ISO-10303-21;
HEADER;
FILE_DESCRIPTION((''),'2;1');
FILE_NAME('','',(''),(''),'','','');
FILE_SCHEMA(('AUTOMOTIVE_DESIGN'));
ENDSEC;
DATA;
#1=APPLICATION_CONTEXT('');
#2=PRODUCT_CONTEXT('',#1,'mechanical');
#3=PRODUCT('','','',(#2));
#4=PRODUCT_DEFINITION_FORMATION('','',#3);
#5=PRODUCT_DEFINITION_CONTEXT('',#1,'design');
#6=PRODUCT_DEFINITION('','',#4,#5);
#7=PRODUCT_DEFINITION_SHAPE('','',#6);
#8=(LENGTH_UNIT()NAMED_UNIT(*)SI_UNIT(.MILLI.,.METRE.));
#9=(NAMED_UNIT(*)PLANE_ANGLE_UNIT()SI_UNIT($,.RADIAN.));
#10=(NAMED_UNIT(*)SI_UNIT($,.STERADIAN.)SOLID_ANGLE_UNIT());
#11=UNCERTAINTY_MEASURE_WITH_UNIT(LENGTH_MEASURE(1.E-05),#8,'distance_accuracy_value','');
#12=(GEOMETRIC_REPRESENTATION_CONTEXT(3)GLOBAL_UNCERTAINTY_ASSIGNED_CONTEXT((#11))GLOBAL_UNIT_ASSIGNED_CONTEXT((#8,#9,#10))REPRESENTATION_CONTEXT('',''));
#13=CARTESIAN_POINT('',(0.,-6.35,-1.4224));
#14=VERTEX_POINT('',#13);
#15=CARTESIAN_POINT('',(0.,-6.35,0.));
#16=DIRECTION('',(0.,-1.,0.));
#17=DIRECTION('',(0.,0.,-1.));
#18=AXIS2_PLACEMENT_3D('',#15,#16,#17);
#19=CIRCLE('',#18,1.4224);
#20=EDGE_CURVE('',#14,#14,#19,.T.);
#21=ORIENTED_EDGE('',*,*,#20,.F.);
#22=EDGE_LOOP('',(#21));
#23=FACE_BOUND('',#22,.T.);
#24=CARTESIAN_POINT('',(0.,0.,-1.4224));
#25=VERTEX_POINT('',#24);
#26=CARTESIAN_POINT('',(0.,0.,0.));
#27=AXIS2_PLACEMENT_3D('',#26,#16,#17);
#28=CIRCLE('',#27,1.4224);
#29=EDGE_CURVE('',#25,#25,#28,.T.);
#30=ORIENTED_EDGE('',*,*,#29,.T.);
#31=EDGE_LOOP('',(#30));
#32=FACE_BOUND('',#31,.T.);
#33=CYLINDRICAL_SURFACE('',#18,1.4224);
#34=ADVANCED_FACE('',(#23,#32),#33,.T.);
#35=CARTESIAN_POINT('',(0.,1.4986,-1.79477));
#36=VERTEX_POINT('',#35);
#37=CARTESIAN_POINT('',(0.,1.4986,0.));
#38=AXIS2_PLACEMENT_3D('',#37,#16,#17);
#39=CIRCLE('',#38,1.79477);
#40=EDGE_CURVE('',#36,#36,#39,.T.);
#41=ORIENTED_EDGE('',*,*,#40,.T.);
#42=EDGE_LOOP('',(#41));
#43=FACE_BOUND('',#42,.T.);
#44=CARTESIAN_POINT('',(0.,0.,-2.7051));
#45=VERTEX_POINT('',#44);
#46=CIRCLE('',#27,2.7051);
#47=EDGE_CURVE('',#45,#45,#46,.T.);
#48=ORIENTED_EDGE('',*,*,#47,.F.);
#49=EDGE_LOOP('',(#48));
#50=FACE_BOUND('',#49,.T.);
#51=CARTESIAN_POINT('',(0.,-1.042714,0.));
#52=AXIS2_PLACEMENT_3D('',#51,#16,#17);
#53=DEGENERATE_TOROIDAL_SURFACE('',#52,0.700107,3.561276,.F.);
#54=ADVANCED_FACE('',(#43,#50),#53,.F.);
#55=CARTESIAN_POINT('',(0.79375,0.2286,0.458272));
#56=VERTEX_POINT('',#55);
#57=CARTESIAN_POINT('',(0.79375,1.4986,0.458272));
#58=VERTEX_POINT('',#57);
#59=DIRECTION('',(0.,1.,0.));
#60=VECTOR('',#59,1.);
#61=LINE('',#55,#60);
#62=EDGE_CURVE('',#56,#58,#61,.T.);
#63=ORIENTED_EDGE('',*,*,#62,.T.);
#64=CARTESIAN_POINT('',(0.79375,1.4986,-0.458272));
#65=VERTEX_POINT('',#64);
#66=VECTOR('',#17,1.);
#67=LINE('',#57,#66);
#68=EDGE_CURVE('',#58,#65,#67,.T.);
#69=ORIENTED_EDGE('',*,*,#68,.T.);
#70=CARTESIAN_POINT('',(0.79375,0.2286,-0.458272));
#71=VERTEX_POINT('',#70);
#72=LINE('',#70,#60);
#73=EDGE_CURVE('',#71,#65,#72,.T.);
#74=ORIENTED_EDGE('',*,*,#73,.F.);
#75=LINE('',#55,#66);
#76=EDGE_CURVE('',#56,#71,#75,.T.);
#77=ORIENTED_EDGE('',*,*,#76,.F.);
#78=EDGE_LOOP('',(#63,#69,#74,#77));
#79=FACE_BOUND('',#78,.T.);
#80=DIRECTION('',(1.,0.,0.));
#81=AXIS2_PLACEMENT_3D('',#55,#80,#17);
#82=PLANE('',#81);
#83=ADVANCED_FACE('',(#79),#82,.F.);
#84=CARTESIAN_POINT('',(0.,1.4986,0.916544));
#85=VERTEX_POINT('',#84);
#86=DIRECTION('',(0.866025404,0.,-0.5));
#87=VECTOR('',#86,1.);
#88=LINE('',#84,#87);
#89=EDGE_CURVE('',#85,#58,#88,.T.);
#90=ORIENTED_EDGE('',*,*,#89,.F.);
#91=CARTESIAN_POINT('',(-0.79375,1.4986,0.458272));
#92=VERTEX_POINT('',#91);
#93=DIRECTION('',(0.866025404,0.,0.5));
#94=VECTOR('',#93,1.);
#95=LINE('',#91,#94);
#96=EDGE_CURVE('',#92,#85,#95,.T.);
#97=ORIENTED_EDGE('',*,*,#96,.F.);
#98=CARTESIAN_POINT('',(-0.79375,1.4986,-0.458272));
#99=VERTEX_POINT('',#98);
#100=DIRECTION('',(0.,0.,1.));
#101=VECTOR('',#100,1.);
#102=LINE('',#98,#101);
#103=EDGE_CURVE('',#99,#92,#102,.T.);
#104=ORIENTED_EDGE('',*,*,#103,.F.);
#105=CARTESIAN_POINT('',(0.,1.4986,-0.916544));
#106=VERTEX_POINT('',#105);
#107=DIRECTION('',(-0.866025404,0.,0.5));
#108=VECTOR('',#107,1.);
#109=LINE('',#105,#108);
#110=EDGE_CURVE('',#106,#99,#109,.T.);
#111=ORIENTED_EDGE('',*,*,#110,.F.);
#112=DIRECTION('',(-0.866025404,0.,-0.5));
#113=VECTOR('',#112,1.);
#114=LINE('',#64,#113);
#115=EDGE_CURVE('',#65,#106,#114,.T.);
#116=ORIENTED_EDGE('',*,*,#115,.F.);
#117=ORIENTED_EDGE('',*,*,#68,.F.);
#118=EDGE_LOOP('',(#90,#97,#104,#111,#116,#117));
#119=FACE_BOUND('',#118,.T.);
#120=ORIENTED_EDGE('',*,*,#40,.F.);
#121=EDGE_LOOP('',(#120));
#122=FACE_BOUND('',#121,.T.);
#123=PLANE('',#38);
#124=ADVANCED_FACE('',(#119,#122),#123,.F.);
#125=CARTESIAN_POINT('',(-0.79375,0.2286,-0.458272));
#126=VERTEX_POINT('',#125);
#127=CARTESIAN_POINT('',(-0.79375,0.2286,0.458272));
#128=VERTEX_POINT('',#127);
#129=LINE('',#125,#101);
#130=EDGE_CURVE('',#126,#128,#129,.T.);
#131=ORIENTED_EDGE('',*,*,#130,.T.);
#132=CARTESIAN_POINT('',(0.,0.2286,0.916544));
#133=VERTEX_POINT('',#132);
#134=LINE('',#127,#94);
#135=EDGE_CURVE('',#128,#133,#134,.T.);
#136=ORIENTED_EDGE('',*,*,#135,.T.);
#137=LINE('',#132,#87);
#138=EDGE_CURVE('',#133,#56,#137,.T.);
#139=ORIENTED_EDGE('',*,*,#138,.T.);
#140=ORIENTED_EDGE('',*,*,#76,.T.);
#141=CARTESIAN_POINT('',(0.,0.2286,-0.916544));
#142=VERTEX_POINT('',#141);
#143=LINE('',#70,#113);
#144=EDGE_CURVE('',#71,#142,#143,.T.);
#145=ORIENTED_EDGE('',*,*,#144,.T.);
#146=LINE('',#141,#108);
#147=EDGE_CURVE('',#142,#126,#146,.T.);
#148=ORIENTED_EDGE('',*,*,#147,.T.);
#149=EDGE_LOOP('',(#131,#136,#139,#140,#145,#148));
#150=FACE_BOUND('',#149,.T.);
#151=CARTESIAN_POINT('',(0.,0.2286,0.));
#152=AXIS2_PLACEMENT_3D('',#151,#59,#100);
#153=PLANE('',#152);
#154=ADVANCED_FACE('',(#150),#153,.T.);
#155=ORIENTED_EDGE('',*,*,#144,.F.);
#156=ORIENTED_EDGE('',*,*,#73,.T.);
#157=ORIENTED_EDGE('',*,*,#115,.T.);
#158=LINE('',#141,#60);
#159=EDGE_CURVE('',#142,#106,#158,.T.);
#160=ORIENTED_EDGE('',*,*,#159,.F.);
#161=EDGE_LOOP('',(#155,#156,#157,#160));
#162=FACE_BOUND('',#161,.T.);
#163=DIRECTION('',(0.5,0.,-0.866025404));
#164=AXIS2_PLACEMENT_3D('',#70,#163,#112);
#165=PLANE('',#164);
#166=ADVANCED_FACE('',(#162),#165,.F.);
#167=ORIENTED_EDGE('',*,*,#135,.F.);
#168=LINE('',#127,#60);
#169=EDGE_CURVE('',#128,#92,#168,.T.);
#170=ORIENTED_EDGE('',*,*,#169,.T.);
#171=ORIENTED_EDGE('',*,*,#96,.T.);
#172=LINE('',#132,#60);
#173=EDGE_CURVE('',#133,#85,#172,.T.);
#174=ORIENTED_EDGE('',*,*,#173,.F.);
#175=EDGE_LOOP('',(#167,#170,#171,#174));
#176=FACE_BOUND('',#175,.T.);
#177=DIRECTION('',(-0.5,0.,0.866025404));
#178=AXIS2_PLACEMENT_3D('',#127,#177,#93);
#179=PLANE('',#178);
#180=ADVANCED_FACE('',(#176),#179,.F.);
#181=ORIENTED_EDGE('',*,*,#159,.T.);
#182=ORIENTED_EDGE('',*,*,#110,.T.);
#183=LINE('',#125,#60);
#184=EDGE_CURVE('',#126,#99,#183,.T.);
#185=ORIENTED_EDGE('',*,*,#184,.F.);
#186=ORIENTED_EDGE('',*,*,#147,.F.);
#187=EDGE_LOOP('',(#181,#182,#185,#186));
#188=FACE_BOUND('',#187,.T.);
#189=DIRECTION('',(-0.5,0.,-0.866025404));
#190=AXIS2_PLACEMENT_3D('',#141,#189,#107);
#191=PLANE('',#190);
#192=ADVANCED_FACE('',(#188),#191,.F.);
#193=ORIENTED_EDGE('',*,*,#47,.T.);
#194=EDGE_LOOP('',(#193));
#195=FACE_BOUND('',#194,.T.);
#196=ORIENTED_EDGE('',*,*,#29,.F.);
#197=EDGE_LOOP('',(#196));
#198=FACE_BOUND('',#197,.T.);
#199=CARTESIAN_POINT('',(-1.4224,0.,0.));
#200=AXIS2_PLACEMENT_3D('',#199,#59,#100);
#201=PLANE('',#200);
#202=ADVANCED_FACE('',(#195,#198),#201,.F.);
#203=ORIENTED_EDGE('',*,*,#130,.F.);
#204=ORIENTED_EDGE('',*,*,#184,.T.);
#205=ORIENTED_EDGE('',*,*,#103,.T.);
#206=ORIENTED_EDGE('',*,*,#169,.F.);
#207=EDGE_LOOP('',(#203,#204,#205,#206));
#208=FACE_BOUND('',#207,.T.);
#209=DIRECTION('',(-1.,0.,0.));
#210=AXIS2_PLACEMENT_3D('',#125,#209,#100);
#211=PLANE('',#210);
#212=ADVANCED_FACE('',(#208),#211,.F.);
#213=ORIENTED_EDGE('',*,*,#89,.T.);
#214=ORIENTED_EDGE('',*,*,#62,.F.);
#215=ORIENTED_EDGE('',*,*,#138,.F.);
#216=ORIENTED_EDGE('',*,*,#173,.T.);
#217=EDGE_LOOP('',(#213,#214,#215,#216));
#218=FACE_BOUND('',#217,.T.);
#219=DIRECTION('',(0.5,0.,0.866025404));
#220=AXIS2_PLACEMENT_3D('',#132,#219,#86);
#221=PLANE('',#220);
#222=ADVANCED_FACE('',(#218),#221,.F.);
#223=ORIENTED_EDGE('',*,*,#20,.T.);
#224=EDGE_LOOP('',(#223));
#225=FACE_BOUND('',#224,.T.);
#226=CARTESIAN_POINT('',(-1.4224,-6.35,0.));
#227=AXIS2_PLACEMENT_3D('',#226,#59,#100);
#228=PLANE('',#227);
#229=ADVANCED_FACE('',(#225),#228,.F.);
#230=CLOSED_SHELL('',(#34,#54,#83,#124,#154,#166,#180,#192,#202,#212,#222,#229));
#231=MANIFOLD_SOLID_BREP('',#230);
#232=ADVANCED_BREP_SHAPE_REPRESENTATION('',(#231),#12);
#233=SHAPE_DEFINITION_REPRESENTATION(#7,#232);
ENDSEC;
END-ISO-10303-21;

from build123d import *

# Parameters (mm, degrees)
CUT_EXTRUDE1_DEPTH = 1.27


with BuildPart() as part:
    # Sketch1 → Revolve1 (revolve)
    with BuildSketch(Plane.XY):
        with BuildLine():
            Line((-1.4224, 0), (-2.7051, 0))
            ThreePointArc((-2.7051, 0), (-2.343607569, 0.806201731), (-1.79477003, 1.4986))
            Line((-1.79477003, 1.4986), (0, 1.4986))
            Line((0, 1.4986), (0, -6.35))
            Line((0, -6.35), (-1.4224, -6.35))
            Line((-1.4224, -6.35), (-1.4224, 0))
        make_face()
    revolve(axis=Axis((0, -6.35, 0), (0, 1, 0)))

    # Sketch2 → Cut-Extrude1 (cut)
    with BuildSketch(Plane(origin=(0, 1.4986, 0), x_dir=(1, 0, 0), z_dir=(0, 1, 0))):
        Polygon((-0.79375, 0.458271776), (-0.79375, -0.458271776), (0, -0.916543552), (0.79375, -0.458271776), (0.79375, 0.458271776), (0, 0.916543552), align=None)
    extrude(amount=-CUT_EXTRUDE1_DEPTH, mode=Mode.SUBTRACT)


solid = part.part
